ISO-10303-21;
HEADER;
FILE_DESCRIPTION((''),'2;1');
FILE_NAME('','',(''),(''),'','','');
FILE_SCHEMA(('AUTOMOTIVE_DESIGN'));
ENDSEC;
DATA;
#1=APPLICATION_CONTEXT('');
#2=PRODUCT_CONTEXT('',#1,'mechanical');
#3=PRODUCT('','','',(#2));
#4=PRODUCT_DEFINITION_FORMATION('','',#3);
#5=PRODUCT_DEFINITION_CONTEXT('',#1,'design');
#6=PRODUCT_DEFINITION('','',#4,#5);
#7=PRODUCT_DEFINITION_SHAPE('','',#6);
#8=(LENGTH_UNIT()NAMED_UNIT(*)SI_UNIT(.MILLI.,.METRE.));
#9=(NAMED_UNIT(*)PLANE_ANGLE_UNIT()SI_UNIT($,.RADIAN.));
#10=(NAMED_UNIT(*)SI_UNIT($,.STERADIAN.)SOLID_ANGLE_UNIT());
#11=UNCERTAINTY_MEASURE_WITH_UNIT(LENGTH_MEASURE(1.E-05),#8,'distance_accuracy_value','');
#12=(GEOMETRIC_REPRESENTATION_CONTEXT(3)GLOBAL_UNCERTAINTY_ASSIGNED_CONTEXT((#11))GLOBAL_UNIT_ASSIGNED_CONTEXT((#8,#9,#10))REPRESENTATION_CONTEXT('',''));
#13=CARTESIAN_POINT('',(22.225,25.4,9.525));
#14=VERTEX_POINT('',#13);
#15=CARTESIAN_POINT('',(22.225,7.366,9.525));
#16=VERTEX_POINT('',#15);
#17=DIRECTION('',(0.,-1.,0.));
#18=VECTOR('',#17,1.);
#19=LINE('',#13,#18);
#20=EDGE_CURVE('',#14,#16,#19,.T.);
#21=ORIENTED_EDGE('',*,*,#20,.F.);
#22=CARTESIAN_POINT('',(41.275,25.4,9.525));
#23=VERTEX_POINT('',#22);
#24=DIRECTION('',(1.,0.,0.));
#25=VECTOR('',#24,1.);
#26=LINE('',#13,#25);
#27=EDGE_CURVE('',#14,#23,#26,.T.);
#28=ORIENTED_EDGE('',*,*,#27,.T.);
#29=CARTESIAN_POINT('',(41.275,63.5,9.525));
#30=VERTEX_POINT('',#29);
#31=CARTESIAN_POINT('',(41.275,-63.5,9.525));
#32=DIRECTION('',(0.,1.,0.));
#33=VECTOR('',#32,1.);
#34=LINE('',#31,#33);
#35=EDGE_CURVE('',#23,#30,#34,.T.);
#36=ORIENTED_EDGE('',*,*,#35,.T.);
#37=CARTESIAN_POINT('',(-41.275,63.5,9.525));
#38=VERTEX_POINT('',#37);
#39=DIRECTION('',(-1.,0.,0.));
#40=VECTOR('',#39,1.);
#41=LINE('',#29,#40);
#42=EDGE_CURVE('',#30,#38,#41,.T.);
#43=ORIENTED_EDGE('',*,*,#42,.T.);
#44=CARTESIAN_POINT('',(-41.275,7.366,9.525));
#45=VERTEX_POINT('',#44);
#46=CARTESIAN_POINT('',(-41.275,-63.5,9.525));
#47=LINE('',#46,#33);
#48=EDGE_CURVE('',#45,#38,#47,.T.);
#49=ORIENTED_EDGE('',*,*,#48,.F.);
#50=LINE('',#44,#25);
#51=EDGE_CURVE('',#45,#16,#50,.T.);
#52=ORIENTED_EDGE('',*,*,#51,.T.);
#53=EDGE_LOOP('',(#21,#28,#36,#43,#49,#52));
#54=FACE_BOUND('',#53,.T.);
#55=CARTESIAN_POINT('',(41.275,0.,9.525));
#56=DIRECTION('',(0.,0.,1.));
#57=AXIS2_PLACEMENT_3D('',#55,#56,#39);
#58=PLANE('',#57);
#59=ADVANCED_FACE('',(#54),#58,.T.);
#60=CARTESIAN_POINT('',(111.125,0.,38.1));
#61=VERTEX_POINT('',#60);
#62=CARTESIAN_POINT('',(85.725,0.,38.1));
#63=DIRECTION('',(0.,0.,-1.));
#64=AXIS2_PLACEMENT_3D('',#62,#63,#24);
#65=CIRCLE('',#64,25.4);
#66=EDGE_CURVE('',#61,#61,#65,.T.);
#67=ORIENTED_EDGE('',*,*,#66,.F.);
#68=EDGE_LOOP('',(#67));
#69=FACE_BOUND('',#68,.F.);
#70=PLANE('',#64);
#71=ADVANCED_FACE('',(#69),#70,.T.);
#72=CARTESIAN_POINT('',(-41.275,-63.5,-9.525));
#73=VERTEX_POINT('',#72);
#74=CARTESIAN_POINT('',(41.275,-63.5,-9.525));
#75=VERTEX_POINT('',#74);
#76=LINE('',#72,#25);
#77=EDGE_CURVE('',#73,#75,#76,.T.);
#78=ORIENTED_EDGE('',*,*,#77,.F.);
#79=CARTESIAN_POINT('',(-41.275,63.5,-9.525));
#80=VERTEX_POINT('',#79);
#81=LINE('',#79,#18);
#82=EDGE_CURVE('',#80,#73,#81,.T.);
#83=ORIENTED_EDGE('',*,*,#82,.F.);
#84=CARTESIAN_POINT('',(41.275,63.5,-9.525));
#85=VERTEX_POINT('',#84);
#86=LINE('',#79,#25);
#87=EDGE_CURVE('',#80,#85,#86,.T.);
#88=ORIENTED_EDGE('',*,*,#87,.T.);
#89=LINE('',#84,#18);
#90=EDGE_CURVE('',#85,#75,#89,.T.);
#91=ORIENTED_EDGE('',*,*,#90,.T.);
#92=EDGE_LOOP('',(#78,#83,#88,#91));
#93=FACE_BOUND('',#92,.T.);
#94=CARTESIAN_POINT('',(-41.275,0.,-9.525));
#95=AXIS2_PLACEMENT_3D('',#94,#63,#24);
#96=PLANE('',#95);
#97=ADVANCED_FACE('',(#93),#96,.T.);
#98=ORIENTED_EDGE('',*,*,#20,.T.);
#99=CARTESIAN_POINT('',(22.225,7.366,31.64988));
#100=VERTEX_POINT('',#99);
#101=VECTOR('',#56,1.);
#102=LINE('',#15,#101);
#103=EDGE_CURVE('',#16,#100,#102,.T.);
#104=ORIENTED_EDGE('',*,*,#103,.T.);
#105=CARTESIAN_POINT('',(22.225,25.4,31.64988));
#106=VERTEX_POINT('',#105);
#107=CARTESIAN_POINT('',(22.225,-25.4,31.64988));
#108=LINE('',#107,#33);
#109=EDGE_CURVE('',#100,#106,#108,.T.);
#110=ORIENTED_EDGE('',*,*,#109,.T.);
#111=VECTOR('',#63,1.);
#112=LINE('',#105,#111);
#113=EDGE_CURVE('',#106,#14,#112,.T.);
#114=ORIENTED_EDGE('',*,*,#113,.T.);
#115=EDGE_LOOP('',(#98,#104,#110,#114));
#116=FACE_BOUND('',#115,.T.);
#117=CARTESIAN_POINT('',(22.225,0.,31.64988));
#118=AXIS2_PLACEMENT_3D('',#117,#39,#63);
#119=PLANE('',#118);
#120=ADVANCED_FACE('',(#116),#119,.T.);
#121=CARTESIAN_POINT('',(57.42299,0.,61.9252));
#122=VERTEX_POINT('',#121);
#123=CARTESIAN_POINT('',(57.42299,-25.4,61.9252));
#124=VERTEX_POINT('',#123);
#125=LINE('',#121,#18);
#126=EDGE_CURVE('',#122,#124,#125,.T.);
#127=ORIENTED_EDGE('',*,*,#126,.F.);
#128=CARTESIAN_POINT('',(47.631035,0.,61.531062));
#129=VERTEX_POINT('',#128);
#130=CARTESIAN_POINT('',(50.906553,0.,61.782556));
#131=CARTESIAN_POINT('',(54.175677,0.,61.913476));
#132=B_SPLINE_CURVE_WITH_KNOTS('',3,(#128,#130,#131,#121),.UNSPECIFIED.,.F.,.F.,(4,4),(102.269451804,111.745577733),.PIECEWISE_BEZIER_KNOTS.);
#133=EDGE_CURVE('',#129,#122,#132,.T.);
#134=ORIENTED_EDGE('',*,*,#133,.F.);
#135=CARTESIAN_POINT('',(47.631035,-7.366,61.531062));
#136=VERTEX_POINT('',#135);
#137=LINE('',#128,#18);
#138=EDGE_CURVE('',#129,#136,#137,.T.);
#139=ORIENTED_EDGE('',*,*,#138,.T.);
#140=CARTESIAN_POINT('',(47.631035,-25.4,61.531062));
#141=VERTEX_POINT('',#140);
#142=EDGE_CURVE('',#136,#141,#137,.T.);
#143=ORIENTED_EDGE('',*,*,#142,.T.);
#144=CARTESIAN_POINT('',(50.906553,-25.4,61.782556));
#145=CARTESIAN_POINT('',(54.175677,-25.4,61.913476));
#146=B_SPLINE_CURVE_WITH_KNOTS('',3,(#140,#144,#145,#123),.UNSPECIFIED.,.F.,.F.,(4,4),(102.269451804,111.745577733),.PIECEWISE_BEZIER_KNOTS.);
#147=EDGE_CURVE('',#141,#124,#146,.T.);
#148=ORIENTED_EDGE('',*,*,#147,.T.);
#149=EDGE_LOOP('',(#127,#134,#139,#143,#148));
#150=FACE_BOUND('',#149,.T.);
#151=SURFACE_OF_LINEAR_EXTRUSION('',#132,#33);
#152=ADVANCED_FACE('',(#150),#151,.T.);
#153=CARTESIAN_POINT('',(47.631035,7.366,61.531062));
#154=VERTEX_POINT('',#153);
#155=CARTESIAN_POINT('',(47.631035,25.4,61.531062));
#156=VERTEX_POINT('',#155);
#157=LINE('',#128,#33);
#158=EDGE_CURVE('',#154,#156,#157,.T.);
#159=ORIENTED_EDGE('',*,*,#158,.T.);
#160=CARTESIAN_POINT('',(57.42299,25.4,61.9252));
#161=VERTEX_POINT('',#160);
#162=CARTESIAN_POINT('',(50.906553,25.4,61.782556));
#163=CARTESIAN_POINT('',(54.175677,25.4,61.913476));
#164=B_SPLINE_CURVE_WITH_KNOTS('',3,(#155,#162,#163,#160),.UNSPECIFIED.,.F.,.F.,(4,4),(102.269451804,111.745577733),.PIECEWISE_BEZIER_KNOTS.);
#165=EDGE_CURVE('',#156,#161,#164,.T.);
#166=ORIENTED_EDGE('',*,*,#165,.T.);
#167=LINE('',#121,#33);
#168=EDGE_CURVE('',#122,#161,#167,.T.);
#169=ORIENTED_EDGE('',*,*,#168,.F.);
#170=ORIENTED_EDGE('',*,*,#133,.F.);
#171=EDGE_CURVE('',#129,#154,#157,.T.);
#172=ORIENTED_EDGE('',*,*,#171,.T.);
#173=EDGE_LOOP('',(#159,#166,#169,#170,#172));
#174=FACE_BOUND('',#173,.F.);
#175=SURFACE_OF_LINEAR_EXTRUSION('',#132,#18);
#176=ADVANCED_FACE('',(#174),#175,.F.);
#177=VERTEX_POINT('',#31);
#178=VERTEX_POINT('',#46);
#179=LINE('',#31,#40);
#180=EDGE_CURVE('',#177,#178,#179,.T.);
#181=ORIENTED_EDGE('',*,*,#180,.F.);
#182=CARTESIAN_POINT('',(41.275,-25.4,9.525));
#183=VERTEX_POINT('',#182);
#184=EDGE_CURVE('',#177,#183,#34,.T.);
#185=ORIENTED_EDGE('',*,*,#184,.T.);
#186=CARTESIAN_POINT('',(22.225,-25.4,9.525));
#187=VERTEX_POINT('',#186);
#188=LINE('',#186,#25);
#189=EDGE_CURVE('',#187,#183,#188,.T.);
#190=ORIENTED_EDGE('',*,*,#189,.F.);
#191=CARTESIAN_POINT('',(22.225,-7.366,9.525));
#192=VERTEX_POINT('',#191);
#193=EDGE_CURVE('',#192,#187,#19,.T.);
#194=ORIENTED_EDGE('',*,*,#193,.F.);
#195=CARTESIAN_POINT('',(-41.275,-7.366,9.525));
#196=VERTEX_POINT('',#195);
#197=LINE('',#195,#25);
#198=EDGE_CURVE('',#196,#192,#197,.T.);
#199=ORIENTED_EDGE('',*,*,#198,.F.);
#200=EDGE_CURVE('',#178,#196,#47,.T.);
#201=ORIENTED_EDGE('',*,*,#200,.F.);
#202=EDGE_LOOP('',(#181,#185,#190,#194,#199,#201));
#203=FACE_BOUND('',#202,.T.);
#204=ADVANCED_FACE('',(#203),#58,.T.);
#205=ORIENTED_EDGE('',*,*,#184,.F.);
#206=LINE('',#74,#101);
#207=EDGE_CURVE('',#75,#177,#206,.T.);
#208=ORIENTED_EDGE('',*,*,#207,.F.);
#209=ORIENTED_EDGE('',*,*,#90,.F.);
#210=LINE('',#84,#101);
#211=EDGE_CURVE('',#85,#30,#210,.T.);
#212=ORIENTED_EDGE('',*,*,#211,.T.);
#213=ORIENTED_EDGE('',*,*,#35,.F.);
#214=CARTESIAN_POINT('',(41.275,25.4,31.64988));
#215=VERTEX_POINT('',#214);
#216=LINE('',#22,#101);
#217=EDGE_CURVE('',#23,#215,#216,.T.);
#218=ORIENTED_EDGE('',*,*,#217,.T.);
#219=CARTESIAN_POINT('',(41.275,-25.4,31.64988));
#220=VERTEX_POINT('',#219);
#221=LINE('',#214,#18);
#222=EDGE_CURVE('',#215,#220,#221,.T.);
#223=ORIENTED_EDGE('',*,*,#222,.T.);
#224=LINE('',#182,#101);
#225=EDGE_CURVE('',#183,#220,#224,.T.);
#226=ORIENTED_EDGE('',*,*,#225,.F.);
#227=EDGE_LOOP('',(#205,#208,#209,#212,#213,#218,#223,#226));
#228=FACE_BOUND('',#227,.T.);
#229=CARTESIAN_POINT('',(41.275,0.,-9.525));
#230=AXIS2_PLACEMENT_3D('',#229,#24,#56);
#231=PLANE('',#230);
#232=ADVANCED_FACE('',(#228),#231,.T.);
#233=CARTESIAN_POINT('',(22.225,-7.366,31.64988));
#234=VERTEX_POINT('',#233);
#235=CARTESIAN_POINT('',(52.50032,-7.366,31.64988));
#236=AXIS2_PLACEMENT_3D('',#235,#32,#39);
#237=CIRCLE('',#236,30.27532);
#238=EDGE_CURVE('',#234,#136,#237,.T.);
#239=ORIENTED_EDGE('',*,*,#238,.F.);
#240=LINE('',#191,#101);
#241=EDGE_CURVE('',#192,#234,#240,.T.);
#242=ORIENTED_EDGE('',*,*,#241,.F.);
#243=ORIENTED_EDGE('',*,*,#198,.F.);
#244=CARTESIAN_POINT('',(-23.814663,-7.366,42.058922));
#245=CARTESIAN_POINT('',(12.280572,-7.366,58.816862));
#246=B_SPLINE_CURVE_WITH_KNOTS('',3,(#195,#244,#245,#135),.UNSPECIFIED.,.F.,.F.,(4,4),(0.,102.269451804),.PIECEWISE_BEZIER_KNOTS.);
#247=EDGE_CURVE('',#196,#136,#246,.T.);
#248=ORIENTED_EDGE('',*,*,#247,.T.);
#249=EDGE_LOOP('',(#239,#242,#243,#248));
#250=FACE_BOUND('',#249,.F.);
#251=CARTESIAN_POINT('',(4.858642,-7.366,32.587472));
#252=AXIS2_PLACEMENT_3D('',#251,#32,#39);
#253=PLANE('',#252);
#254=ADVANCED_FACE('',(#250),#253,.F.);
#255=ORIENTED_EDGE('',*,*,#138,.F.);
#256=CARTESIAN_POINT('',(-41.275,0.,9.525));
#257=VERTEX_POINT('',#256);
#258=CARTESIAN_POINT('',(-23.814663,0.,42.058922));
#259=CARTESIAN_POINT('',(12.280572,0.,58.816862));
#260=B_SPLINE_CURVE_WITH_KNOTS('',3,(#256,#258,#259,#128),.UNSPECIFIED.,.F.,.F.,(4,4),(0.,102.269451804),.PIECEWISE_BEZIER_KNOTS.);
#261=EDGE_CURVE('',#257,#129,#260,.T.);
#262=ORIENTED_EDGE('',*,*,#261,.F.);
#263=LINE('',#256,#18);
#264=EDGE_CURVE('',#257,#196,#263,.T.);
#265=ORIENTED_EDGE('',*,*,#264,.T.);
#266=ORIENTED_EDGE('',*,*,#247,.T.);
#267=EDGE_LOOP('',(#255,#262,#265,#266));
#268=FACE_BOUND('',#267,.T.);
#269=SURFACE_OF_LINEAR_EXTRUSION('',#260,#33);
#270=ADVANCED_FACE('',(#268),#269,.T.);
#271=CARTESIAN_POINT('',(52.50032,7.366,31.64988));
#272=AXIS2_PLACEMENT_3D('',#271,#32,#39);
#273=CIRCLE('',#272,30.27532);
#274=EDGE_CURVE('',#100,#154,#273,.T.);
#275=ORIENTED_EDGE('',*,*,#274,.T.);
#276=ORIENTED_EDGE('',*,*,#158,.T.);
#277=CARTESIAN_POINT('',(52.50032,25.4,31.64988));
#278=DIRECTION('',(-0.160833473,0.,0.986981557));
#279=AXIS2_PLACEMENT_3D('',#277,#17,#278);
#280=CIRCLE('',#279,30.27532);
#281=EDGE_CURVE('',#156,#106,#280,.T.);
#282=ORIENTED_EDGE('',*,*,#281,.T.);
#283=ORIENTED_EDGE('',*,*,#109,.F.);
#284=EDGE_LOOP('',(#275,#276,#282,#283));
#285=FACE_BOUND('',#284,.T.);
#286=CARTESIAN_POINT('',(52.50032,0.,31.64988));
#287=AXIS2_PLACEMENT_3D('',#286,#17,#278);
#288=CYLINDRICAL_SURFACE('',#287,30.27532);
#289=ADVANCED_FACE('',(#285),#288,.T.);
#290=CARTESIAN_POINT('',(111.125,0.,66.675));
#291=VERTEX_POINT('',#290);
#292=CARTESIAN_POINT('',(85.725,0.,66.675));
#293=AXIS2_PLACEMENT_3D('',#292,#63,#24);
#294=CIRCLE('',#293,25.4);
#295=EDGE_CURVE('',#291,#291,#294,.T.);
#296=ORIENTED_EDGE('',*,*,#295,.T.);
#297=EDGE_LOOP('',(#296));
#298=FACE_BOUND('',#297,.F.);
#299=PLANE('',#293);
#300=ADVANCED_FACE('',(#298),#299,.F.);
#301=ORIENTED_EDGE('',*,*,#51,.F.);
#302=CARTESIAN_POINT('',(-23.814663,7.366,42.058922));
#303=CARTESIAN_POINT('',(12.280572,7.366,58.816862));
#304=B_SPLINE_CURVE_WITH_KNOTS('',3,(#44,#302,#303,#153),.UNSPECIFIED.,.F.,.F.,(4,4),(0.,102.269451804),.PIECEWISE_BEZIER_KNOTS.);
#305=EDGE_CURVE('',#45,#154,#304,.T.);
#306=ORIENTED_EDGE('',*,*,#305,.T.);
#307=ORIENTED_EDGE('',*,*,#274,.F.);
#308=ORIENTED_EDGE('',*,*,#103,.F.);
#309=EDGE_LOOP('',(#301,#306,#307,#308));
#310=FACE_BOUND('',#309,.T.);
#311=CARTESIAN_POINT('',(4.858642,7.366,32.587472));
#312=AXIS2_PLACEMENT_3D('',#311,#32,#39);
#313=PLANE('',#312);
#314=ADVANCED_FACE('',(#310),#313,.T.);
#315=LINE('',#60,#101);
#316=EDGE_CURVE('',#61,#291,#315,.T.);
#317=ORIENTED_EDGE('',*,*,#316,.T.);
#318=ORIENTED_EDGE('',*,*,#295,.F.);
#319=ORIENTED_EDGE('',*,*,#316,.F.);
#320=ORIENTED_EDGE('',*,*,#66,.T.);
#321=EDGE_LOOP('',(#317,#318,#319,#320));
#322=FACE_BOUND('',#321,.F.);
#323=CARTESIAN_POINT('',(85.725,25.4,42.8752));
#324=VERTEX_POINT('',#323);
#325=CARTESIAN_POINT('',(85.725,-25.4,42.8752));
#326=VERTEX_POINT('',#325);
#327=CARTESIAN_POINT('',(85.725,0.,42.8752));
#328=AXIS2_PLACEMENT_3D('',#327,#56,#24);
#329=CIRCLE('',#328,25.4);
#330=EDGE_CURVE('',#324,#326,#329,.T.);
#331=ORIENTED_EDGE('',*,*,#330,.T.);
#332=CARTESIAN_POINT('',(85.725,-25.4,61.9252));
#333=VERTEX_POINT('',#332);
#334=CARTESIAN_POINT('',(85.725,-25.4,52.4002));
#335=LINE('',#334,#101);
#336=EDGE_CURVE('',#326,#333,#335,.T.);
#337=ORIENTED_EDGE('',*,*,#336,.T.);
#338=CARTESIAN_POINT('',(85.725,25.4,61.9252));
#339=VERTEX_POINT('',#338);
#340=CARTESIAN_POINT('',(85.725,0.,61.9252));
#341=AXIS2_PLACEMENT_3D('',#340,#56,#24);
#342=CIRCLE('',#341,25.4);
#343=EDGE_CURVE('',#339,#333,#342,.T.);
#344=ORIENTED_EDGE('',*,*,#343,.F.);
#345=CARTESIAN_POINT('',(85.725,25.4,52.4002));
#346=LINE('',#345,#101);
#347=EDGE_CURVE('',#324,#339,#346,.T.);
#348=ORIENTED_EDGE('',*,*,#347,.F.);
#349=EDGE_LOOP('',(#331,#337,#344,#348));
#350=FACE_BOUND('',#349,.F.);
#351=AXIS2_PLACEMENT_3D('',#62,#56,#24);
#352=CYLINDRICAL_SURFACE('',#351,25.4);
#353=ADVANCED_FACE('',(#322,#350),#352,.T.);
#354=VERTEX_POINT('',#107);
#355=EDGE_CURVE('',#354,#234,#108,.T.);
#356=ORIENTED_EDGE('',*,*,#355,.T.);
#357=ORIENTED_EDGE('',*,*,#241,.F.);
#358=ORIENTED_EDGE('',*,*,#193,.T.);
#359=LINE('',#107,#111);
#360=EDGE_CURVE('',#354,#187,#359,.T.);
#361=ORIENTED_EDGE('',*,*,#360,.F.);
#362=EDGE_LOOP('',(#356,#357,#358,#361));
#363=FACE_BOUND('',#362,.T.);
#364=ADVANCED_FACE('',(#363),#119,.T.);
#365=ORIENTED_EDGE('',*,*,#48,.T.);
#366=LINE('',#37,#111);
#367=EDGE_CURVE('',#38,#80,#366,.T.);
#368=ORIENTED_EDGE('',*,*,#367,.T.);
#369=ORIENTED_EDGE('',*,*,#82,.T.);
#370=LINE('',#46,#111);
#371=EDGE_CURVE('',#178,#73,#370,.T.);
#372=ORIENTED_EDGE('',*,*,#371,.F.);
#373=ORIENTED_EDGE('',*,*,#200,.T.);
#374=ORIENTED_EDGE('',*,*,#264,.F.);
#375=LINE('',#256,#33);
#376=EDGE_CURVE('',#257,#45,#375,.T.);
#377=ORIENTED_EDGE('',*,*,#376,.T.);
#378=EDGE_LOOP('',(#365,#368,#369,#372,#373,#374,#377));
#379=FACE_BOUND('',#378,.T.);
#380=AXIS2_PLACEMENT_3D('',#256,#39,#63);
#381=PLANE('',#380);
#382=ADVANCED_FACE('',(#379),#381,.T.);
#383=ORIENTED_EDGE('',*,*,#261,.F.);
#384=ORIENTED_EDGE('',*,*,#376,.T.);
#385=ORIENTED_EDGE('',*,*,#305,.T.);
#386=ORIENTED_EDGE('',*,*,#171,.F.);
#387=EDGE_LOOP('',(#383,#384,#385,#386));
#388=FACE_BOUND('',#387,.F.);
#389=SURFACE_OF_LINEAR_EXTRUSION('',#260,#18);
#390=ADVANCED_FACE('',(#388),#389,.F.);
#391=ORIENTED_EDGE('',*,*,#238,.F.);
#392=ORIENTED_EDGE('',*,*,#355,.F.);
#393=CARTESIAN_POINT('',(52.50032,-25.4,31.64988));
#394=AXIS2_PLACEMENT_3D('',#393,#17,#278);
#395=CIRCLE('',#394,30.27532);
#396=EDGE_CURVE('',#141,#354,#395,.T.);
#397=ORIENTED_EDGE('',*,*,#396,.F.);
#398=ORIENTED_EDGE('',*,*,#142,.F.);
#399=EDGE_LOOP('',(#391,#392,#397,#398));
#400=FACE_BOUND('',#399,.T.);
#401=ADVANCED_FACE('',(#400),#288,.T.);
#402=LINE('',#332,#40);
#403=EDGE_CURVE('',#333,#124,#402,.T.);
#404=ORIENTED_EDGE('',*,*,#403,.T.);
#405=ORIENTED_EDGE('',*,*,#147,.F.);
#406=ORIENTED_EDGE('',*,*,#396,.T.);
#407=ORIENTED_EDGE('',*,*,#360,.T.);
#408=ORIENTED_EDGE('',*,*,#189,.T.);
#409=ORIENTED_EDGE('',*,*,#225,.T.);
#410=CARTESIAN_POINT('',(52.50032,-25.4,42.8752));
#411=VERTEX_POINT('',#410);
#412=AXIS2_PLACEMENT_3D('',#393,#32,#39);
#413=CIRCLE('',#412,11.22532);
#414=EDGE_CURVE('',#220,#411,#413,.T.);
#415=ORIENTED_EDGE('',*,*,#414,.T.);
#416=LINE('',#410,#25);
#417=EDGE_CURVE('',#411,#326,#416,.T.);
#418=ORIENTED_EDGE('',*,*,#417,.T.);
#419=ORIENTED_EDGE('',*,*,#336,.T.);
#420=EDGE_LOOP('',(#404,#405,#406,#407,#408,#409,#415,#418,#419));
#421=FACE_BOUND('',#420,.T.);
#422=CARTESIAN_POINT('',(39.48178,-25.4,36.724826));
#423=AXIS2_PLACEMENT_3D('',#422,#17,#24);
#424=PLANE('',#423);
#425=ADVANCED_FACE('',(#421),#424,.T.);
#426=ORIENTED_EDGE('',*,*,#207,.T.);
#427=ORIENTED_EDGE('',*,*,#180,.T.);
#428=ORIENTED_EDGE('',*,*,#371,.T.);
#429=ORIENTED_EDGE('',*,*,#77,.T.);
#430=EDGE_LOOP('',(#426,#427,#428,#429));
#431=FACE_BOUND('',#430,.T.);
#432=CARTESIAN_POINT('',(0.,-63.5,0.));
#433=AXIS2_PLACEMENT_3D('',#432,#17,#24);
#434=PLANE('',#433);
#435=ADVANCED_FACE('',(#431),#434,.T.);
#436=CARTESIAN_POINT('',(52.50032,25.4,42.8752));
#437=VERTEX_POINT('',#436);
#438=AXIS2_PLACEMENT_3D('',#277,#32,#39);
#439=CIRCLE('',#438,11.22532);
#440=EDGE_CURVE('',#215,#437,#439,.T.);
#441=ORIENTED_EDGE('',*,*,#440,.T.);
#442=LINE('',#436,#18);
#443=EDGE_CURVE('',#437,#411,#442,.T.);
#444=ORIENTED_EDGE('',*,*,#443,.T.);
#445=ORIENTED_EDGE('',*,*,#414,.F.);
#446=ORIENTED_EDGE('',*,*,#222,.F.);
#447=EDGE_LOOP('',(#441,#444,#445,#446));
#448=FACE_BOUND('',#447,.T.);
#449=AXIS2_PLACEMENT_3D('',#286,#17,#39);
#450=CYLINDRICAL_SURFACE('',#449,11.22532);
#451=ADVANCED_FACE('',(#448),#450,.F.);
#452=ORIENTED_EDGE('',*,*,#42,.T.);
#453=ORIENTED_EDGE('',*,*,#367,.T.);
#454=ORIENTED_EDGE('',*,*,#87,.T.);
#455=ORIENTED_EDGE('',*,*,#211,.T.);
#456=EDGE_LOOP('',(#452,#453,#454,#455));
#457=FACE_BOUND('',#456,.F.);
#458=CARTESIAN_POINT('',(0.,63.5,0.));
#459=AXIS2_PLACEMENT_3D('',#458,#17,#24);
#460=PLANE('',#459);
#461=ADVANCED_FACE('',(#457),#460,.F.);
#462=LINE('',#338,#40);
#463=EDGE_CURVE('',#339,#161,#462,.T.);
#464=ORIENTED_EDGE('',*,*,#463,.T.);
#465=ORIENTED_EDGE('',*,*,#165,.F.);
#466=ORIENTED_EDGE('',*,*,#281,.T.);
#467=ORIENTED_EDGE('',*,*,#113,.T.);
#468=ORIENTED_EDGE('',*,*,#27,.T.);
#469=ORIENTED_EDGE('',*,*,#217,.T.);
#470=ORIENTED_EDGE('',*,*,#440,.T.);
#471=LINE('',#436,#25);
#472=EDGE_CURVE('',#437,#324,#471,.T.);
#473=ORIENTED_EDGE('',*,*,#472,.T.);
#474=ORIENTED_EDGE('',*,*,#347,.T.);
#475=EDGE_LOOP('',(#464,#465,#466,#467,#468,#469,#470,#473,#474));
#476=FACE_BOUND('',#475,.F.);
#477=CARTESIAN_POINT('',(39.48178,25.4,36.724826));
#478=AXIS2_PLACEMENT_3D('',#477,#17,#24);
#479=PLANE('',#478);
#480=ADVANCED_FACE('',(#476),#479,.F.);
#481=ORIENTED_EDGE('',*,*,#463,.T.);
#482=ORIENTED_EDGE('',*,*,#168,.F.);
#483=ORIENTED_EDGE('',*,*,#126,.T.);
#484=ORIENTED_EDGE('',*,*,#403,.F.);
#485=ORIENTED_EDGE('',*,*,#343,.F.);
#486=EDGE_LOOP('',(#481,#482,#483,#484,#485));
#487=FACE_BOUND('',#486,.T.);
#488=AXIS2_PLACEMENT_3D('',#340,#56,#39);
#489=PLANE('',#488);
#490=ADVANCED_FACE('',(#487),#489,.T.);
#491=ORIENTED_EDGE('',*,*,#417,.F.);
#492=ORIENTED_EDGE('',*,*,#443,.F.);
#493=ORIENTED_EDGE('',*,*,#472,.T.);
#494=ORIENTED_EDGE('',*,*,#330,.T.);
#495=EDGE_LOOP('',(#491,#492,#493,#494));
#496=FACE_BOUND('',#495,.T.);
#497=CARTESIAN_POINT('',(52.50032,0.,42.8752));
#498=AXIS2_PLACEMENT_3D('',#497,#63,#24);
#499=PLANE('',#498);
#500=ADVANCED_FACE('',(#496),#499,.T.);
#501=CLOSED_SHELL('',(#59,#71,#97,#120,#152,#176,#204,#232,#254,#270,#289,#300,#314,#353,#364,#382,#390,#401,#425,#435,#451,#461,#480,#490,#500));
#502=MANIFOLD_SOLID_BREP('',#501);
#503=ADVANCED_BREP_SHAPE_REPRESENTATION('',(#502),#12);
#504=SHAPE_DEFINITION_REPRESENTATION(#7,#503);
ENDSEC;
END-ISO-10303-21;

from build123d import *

# Parameters (mm, degrees)
F1_DEPTH = 63.5
F0_W     = 25.4
F0_H     = 19.05
F2_DEPTH = 25.4
F3_DEPTH = 7.366


with BuildPart() as f1:
    # F0 (on Front) → F1 (new body, symmetric)
    with BuildSketch(Plane.XZ):
        Polygon((22.225, 9.525), (-41.275, 9.525), (-41.275, -9.525), (41.275, -9.525), (41.275, 9.525), align=None)
    extrude(amount=F1_DEPTH, both=True)

    # F0 (on Front) → F2 (join, symmetric)
    with BuildSketch(Plane.XZ):
        with BuildLine():
            Line((22.225, 31.6498798487), (22.225, 9.525))
            Line((22.225, 9.525), (41.275, 9.525))
            Line((41.275, 9.525), (41.275, 31.6498798487))
            ThreePointArc((41.275, 31.6498798487), (44.5628201513, 39.5873798487), (52.5003201513, 42.8752))
            Line((52.5003201513, 42.8752), (60.325, 42.8752))
            Line((60.325, 42.8752), (60.325, 61.9252))
            Line((60.325, 61.9252), (57.422989761, 61.9252))
            add(Edge.make_bspline(
                [(47.6310352759, 61.5310624736), (50.9065534115, 61.7825559935), (54.1756772535, 61.9134758207), (57.422989761, 61.9252)],
                knots=[102.2694518038, 102.2694518038, 102.2694518038, 102.2694518038, 111.7455777331, 111.7455777331, 111.7455777331, 111.7455777331], degree=3))
            ThreePointArc((47.6310352759, 61.5310624736), (29.4350413889, 51.2607932868), (22.225, 31.6498798487))
        make_face()
        with Locations((73.025, 52.4002)):
            Rectangle(F0_W, F0_H)
    extrude(amount=F2_DEPTH, both=True)

    # F0 (on Front) → F3 (join, symmetric)
    with BuildSketch(Plane.XZ):
        with BuildLine():
            add(Edge.make_bspline(
                [(-41.275, 9.525), (-23.8146628268, 42.0589220726), (12.2805717425, 58.8168621141), (47.6310352759, 61.5310624736)],
                knots=[0, 0, 0, 0, 102.2694518038, 102.2694518038, 102.2694518038, 102.2694518038], degree=3))
            Line((-41.275, 9.525), (22.225, 9.525))
            Line((22.225, 9.525), (22.225, 31.6498798487))
            ThreePointArc((22.225, 31.6498798487), (29.4350413889, 51.2607932868), (47.6310352759, 61.5310624736))
        make_face()
    extrude(amount=F3_DEPTH, both=True)

    # F0 (on Front) → F4 (revolve)
    with BuildSketch(Plane.XZ):
        Polygon((85.725, 66.675), (85.725, 61.9252), (85.725, 42.8752), (85.725, 38.1), (111.125, 38.1), (111.125, 66.675), align=None)
    revolve(axis=Axis((85.725, 0, 52.3875), (0, 0, -1)))


solid = f1.part
